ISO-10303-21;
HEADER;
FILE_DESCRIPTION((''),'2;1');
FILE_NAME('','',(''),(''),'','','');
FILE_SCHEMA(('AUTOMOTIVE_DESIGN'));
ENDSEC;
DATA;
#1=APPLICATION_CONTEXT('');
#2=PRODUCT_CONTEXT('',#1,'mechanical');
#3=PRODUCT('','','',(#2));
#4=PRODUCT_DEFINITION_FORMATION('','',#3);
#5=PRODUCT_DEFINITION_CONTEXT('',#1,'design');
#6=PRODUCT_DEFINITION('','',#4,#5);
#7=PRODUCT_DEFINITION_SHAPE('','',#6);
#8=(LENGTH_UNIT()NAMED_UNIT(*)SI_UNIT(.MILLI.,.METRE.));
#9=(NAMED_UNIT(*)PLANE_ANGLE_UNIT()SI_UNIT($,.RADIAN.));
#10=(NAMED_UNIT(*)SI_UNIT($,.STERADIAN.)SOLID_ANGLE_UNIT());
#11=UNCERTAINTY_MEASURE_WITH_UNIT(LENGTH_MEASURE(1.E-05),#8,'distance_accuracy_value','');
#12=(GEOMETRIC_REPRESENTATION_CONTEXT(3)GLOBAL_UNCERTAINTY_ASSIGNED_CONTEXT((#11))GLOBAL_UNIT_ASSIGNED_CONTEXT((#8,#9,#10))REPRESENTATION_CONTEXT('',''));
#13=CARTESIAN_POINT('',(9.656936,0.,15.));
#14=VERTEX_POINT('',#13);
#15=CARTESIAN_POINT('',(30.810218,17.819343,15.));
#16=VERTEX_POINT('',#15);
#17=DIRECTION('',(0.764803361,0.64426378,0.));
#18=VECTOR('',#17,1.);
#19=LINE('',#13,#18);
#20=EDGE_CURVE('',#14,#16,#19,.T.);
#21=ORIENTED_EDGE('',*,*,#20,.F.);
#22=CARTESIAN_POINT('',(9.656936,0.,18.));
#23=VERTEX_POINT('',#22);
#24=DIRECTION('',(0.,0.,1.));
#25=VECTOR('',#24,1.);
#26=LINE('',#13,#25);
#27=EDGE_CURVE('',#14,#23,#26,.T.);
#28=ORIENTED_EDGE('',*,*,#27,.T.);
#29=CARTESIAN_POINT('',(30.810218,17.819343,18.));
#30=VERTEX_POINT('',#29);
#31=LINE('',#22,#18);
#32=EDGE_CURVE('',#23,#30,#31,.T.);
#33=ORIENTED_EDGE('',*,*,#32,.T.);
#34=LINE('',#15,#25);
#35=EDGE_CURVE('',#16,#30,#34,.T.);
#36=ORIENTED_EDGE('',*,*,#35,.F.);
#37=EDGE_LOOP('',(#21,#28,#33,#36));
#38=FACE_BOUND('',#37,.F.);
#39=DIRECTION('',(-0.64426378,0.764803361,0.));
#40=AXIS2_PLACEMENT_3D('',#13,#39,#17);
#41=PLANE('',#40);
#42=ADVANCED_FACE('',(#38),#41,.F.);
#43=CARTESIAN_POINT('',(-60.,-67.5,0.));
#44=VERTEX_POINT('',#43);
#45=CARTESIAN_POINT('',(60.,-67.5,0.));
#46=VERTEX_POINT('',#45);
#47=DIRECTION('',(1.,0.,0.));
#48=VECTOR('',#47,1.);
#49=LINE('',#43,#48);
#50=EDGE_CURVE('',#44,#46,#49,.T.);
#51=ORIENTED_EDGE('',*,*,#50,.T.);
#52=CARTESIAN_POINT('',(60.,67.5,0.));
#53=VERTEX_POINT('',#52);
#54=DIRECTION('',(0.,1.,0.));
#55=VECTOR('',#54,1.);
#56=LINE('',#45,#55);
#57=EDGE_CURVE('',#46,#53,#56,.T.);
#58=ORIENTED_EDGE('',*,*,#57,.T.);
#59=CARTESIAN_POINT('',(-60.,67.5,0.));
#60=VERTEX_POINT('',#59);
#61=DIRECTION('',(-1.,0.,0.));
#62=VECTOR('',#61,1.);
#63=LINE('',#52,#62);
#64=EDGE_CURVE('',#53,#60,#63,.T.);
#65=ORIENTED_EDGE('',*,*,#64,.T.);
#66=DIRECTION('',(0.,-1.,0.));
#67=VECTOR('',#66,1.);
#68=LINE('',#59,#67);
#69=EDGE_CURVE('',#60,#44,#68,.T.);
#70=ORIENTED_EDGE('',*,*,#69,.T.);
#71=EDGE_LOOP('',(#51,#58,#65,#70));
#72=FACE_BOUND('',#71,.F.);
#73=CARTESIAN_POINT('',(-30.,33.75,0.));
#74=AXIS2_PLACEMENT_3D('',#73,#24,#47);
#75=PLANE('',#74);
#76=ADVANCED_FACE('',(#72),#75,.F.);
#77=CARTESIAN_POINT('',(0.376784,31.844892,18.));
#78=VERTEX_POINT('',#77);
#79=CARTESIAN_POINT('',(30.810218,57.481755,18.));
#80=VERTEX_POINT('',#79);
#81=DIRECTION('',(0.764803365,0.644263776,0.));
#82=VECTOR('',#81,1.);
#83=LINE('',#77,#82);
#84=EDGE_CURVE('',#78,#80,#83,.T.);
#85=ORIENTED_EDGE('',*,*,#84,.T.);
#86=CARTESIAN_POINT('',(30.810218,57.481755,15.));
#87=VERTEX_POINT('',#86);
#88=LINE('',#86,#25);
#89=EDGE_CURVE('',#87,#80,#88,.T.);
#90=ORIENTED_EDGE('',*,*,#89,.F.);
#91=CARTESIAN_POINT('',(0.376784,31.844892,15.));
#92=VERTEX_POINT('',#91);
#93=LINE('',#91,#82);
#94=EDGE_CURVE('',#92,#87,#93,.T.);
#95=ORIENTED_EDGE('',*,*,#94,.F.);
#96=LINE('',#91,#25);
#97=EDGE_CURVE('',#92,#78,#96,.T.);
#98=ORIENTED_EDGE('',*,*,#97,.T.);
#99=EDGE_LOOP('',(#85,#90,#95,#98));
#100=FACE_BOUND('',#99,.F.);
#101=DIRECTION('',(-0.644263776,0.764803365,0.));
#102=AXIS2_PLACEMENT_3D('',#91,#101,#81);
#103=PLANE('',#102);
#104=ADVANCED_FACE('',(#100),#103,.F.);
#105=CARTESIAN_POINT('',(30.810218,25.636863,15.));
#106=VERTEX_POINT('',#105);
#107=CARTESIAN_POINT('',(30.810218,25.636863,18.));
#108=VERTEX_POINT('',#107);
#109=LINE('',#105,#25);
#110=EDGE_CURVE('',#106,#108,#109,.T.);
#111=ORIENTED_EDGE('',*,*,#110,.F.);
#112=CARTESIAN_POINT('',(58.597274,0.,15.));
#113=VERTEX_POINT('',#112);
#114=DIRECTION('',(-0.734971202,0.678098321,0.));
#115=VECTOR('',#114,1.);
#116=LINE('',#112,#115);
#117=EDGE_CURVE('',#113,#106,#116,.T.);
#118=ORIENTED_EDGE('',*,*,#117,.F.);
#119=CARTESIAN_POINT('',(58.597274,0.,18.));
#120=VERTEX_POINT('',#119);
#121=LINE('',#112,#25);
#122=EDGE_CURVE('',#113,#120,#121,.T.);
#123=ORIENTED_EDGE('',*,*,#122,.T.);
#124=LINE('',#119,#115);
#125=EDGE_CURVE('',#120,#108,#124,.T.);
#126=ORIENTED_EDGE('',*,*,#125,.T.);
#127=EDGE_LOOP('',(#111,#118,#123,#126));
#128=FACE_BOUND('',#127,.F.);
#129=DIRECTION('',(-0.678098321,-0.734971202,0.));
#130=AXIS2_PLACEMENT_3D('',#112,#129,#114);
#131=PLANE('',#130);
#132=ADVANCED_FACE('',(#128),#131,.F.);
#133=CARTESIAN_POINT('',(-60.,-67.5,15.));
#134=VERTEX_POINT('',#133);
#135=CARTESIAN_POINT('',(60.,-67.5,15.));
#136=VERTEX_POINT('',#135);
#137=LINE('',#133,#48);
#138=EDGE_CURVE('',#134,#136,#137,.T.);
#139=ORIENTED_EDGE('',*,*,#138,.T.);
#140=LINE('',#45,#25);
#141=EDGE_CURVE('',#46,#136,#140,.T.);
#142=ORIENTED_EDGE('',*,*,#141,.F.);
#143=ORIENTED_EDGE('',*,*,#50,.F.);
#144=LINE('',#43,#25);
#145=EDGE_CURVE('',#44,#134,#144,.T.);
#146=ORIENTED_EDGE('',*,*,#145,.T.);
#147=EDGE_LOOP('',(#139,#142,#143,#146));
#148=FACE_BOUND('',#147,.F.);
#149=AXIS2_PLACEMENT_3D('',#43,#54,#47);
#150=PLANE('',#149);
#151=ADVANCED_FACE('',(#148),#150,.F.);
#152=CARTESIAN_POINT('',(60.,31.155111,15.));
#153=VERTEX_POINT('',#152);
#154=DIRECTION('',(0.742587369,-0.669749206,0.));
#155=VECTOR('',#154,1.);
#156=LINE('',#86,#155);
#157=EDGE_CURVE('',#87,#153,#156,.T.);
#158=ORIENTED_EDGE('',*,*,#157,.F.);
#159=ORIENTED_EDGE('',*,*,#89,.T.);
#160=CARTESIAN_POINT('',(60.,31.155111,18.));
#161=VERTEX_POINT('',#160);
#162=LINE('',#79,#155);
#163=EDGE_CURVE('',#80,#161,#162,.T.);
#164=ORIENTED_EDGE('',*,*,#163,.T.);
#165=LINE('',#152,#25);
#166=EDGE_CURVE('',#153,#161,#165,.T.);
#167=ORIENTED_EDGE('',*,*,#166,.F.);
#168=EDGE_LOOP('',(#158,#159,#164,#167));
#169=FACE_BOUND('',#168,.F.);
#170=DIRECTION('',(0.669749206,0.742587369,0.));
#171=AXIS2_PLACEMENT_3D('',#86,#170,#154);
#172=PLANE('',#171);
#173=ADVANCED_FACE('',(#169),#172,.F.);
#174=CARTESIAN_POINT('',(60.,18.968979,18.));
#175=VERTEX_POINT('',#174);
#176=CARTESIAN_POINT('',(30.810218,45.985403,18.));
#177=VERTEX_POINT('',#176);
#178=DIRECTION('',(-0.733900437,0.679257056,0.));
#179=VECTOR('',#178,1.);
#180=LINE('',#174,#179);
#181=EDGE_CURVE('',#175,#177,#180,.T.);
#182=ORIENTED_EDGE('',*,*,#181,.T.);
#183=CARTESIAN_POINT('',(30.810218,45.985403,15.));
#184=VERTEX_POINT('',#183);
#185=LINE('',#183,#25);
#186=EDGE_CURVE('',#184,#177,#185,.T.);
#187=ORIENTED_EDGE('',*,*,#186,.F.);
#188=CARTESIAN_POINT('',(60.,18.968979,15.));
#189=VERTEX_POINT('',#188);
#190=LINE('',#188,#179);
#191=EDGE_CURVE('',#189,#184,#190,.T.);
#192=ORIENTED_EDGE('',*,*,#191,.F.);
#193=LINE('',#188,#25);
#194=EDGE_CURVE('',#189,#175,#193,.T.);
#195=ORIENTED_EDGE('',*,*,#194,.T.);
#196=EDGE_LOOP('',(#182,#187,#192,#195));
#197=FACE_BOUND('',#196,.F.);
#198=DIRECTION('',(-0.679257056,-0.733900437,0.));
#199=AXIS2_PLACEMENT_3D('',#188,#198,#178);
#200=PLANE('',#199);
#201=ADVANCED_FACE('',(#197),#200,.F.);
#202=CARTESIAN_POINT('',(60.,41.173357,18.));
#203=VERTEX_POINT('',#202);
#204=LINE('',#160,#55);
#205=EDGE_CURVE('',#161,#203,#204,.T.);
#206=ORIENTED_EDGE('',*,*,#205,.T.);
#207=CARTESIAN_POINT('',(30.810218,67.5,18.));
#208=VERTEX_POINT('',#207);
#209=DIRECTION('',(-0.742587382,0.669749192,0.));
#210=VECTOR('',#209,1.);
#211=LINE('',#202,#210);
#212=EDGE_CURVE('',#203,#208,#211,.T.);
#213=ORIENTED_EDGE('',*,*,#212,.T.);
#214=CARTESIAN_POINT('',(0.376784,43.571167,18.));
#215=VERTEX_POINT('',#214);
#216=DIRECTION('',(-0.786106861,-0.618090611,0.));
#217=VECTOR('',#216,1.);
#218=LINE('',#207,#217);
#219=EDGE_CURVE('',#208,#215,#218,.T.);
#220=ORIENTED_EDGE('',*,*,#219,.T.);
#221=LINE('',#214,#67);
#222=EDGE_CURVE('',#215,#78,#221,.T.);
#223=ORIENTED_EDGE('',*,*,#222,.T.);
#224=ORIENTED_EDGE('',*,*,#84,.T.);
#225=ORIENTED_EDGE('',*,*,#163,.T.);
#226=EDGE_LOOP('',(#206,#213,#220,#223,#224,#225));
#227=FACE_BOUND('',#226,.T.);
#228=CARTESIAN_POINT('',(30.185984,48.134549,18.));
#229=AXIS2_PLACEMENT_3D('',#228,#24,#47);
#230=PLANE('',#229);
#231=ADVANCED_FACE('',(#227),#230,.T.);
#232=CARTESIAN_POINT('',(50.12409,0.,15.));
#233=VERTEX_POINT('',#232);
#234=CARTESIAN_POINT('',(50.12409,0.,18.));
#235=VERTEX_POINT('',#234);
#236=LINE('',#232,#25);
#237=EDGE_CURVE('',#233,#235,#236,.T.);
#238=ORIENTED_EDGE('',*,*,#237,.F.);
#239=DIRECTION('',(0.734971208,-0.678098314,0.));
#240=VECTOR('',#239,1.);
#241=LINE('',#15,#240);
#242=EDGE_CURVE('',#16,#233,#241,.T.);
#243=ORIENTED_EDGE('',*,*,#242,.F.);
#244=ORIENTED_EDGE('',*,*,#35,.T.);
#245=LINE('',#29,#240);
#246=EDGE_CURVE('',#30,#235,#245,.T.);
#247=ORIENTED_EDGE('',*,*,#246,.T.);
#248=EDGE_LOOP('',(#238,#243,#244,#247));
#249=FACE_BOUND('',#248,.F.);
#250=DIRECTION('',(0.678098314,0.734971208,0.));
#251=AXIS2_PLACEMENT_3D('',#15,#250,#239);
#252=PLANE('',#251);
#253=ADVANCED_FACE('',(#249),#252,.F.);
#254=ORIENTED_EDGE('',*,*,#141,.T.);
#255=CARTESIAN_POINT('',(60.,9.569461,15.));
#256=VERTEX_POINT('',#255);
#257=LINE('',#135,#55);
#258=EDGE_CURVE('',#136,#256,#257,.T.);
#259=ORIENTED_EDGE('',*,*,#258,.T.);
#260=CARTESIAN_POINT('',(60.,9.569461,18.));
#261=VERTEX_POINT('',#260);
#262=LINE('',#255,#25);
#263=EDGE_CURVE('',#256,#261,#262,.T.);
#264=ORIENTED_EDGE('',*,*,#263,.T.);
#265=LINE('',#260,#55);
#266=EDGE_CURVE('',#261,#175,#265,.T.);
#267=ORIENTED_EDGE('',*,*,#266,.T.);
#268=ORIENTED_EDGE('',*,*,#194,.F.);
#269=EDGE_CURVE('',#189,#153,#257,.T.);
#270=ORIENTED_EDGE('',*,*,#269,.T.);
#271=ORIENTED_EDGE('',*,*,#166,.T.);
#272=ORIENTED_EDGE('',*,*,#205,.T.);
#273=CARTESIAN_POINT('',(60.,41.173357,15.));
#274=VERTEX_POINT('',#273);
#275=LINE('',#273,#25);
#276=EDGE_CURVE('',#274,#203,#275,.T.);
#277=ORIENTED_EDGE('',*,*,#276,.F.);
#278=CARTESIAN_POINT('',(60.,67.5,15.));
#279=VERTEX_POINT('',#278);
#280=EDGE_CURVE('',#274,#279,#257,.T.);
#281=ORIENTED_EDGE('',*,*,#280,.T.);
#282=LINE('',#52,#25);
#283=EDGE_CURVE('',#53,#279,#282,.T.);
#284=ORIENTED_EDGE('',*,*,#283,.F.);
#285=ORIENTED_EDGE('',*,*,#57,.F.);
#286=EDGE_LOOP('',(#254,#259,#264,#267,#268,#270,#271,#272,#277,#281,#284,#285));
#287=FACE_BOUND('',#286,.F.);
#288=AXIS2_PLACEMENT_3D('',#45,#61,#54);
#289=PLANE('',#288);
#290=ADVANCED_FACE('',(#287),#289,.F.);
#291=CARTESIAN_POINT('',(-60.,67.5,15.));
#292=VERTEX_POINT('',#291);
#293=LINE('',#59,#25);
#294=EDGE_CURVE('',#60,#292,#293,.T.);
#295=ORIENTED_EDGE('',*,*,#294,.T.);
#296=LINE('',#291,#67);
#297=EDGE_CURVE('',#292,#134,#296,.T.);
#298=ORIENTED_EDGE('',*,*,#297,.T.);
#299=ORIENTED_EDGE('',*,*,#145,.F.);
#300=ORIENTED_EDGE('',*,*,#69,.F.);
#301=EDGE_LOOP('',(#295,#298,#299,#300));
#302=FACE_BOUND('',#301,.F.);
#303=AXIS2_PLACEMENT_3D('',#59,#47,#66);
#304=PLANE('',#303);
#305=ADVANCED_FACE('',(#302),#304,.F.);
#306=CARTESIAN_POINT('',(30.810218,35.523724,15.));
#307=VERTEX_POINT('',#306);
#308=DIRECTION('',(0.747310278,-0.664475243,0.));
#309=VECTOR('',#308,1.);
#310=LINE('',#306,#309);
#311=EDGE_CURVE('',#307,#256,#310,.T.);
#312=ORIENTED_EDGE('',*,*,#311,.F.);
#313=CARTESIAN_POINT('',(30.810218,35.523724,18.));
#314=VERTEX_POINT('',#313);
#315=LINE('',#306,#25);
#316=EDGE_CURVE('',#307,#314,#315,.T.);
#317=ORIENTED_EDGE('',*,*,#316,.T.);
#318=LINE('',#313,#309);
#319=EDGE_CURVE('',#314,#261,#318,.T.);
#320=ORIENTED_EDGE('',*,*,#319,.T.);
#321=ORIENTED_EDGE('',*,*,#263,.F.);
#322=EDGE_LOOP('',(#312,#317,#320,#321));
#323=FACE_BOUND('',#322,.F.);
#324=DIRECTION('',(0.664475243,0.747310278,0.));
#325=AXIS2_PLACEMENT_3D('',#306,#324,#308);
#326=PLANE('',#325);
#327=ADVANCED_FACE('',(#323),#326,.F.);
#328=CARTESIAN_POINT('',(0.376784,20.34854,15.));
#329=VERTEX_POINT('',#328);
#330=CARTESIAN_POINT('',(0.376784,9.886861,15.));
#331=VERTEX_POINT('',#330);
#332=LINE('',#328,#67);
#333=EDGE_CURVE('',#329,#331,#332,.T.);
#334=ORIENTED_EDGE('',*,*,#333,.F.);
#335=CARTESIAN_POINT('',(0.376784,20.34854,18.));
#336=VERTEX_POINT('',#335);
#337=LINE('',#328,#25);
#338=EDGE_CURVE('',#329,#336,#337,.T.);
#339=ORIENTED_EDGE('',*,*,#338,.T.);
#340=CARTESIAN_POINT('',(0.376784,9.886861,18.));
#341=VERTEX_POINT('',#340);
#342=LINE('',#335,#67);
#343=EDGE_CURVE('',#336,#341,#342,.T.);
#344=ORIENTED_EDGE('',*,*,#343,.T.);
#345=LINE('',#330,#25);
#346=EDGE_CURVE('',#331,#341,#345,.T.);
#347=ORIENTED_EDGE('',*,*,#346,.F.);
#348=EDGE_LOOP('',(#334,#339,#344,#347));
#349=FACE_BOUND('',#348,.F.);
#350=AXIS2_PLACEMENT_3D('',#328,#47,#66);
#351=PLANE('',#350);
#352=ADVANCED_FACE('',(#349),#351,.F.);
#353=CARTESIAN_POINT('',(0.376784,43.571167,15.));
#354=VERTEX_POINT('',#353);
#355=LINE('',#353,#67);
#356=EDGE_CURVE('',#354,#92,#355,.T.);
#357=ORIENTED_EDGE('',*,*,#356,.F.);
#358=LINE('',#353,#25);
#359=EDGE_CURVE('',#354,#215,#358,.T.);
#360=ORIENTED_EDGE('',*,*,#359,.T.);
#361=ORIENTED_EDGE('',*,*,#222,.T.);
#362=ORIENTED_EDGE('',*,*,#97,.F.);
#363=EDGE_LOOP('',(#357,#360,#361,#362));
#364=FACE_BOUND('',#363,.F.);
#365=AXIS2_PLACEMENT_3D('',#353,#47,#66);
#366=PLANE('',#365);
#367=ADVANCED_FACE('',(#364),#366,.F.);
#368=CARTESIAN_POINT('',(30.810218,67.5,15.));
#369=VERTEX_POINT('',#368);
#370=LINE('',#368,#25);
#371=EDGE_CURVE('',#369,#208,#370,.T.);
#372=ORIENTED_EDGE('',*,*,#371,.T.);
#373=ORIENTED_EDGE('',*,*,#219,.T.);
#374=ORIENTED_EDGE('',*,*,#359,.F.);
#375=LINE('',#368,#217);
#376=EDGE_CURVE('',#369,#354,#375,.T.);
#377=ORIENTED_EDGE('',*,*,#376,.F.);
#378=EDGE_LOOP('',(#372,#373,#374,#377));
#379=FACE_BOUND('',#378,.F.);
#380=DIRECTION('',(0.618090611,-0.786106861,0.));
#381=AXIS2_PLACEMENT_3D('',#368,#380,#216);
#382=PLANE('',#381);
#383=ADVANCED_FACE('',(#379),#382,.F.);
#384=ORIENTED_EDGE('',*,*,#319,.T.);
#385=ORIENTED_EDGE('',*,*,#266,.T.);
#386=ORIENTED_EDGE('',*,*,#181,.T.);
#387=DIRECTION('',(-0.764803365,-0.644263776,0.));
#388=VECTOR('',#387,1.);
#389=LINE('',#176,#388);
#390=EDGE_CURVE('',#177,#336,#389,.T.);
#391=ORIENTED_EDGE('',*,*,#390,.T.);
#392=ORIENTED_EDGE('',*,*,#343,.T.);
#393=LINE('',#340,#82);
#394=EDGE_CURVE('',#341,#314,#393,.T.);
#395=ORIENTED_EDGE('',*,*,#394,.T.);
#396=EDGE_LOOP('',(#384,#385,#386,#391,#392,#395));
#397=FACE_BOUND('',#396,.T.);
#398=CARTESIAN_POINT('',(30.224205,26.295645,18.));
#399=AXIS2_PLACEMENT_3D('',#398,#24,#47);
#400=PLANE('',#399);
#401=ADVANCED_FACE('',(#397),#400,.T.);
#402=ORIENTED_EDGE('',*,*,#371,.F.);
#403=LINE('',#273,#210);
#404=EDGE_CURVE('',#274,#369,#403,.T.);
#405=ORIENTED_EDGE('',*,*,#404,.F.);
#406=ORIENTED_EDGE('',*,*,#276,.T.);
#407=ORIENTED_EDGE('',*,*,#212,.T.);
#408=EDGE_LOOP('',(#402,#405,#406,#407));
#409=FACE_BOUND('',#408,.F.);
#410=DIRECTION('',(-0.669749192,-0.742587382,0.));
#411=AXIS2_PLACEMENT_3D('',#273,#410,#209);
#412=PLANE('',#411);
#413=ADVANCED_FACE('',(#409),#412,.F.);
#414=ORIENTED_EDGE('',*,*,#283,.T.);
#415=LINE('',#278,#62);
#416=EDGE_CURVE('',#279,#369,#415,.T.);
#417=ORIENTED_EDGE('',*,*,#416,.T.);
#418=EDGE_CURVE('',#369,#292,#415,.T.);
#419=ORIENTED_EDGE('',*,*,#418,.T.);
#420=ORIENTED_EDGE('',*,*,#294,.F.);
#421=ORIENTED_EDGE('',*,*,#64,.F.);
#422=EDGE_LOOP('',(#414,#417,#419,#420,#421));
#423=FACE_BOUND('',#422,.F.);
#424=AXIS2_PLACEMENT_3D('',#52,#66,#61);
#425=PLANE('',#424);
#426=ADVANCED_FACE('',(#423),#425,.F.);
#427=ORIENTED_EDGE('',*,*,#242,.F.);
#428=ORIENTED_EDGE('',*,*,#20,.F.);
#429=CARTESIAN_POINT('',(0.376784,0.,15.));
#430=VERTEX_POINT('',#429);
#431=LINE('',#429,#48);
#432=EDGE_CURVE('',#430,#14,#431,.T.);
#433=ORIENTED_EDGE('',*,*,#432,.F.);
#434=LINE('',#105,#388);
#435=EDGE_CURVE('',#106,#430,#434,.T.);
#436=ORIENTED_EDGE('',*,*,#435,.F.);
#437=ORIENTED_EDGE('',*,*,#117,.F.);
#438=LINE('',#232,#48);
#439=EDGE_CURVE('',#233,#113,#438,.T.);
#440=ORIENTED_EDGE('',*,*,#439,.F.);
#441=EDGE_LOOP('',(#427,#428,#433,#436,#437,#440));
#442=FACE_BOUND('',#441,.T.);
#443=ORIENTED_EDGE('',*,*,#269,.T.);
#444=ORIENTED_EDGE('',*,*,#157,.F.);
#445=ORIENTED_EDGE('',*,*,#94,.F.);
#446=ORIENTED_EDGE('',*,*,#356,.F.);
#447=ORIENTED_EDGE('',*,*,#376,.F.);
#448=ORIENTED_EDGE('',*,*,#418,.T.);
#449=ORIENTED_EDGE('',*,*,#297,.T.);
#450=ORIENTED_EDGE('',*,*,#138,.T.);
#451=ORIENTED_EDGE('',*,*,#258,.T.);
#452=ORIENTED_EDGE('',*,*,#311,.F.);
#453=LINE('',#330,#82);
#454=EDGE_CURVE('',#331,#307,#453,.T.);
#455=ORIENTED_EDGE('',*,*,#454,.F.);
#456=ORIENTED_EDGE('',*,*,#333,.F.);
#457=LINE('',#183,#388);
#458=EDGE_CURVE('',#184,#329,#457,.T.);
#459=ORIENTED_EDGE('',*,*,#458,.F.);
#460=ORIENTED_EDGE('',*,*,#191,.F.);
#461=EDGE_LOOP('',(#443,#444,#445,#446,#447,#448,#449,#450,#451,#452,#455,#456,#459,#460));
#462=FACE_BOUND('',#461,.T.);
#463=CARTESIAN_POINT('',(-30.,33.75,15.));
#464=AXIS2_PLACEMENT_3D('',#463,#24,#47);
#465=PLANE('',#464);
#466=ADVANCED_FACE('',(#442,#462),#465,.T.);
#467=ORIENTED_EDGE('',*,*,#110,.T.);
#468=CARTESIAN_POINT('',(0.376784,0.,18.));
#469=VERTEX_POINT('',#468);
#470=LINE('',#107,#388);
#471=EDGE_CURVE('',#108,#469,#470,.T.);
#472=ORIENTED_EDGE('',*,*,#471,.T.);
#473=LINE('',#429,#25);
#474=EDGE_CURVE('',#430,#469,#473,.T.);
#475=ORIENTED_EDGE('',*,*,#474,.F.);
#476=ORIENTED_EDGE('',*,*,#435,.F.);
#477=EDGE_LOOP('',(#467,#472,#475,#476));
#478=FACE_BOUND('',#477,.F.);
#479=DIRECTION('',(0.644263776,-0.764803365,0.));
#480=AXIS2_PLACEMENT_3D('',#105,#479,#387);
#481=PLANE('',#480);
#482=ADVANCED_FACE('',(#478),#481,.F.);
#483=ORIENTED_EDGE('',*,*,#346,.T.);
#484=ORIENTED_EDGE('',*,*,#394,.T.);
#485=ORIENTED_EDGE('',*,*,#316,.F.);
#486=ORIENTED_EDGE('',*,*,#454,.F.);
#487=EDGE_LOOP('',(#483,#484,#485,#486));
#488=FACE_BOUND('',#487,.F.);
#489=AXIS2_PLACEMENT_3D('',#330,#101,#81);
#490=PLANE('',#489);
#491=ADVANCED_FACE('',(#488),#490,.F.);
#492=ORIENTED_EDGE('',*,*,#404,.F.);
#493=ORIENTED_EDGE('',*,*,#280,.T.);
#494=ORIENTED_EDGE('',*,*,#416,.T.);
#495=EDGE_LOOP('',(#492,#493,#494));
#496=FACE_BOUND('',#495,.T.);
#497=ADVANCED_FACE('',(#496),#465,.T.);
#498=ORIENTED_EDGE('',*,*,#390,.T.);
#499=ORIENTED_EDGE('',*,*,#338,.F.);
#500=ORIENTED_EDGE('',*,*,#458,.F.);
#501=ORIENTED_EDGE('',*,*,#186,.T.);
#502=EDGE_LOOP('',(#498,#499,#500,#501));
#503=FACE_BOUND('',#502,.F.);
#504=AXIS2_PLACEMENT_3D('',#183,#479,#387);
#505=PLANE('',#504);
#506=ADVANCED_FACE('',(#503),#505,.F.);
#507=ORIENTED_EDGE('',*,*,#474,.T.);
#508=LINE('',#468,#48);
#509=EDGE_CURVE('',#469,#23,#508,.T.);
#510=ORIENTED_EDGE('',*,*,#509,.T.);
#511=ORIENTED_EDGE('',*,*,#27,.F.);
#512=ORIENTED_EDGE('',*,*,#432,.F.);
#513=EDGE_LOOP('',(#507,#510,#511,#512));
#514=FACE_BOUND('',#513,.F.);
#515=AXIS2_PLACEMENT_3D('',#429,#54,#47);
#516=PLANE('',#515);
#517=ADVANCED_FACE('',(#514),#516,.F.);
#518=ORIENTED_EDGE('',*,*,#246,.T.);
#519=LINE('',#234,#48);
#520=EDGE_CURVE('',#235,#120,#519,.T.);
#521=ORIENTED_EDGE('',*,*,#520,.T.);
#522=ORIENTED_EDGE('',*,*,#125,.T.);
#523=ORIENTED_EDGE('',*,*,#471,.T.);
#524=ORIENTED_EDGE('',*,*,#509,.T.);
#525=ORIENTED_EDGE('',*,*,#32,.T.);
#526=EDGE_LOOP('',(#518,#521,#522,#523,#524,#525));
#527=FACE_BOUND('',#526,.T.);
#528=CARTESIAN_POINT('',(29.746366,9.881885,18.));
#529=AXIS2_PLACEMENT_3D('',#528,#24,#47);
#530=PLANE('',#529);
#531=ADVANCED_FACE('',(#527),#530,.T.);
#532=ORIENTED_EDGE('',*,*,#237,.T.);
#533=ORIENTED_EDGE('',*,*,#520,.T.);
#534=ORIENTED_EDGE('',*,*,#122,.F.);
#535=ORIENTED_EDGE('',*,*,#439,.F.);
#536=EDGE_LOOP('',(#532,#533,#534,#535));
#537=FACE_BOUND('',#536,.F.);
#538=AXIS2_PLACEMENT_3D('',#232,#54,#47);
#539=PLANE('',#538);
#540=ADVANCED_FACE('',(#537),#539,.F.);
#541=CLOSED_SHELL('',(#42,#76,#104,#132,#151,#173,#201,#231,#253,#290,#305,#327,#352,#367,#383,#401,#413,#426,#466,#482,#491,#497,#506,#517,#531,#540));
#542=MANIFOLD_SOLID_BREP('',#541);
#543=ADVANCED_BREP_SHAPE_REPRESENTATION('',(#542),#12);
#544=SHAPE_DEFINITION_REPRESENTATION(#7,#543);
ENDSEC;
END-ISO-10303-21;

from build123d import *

# Parameters (mm, degrees)
F0_W     = 60
F0_H     = 67.5
F1_DEPTH = 15
F3_DEPTH = 3


with BuildPart() as f1:
    # F0 (on Top) → F1 (new body)
    with BuildSketch(Plane.XY):
        with Locations((-30, 33.75)):
            Rectangle(F0_W, F0_H)
        Polygon((60, 67.5), (0, 67.5), (0, 0), (5.978101, 0), (60, 0), align=None)
        with Locations((-30, -33.75)):
            Rectangle(F0_W, F0_H)
        Polygon((5.978101, 0), (0, 0), (0, -67.5), (60, -67.5), (60, 0), align=None)
    extrude(amount=F1_DEPTH)

    # F2 (on face) → F3 (join)
    with BuildSketch(Plane.XY.offset(15)):
        Polygon((9.656936, 0), (30.810218, 17.819343), (50.12409, 0), (58.597274, 0), (30.810218, 25.636863), (0.376784, 0), align=None)
        Polygon((0.376784, 20.34854), (0.376784, 9.886861), (30.810218, 35.523724), (60, 9.569461), (60, 18.968979), (30.810218, 45.985403), align=None)
        Polygon((0.376784, 43.571167), (0.376784, 31.844892), (30.810218, 57.481755), (60, 31.155111), (60, 41.173357), (30.810218, 67.5), align=None)
    extrude(amount=F3_DEPTH)


solid = f1.part
